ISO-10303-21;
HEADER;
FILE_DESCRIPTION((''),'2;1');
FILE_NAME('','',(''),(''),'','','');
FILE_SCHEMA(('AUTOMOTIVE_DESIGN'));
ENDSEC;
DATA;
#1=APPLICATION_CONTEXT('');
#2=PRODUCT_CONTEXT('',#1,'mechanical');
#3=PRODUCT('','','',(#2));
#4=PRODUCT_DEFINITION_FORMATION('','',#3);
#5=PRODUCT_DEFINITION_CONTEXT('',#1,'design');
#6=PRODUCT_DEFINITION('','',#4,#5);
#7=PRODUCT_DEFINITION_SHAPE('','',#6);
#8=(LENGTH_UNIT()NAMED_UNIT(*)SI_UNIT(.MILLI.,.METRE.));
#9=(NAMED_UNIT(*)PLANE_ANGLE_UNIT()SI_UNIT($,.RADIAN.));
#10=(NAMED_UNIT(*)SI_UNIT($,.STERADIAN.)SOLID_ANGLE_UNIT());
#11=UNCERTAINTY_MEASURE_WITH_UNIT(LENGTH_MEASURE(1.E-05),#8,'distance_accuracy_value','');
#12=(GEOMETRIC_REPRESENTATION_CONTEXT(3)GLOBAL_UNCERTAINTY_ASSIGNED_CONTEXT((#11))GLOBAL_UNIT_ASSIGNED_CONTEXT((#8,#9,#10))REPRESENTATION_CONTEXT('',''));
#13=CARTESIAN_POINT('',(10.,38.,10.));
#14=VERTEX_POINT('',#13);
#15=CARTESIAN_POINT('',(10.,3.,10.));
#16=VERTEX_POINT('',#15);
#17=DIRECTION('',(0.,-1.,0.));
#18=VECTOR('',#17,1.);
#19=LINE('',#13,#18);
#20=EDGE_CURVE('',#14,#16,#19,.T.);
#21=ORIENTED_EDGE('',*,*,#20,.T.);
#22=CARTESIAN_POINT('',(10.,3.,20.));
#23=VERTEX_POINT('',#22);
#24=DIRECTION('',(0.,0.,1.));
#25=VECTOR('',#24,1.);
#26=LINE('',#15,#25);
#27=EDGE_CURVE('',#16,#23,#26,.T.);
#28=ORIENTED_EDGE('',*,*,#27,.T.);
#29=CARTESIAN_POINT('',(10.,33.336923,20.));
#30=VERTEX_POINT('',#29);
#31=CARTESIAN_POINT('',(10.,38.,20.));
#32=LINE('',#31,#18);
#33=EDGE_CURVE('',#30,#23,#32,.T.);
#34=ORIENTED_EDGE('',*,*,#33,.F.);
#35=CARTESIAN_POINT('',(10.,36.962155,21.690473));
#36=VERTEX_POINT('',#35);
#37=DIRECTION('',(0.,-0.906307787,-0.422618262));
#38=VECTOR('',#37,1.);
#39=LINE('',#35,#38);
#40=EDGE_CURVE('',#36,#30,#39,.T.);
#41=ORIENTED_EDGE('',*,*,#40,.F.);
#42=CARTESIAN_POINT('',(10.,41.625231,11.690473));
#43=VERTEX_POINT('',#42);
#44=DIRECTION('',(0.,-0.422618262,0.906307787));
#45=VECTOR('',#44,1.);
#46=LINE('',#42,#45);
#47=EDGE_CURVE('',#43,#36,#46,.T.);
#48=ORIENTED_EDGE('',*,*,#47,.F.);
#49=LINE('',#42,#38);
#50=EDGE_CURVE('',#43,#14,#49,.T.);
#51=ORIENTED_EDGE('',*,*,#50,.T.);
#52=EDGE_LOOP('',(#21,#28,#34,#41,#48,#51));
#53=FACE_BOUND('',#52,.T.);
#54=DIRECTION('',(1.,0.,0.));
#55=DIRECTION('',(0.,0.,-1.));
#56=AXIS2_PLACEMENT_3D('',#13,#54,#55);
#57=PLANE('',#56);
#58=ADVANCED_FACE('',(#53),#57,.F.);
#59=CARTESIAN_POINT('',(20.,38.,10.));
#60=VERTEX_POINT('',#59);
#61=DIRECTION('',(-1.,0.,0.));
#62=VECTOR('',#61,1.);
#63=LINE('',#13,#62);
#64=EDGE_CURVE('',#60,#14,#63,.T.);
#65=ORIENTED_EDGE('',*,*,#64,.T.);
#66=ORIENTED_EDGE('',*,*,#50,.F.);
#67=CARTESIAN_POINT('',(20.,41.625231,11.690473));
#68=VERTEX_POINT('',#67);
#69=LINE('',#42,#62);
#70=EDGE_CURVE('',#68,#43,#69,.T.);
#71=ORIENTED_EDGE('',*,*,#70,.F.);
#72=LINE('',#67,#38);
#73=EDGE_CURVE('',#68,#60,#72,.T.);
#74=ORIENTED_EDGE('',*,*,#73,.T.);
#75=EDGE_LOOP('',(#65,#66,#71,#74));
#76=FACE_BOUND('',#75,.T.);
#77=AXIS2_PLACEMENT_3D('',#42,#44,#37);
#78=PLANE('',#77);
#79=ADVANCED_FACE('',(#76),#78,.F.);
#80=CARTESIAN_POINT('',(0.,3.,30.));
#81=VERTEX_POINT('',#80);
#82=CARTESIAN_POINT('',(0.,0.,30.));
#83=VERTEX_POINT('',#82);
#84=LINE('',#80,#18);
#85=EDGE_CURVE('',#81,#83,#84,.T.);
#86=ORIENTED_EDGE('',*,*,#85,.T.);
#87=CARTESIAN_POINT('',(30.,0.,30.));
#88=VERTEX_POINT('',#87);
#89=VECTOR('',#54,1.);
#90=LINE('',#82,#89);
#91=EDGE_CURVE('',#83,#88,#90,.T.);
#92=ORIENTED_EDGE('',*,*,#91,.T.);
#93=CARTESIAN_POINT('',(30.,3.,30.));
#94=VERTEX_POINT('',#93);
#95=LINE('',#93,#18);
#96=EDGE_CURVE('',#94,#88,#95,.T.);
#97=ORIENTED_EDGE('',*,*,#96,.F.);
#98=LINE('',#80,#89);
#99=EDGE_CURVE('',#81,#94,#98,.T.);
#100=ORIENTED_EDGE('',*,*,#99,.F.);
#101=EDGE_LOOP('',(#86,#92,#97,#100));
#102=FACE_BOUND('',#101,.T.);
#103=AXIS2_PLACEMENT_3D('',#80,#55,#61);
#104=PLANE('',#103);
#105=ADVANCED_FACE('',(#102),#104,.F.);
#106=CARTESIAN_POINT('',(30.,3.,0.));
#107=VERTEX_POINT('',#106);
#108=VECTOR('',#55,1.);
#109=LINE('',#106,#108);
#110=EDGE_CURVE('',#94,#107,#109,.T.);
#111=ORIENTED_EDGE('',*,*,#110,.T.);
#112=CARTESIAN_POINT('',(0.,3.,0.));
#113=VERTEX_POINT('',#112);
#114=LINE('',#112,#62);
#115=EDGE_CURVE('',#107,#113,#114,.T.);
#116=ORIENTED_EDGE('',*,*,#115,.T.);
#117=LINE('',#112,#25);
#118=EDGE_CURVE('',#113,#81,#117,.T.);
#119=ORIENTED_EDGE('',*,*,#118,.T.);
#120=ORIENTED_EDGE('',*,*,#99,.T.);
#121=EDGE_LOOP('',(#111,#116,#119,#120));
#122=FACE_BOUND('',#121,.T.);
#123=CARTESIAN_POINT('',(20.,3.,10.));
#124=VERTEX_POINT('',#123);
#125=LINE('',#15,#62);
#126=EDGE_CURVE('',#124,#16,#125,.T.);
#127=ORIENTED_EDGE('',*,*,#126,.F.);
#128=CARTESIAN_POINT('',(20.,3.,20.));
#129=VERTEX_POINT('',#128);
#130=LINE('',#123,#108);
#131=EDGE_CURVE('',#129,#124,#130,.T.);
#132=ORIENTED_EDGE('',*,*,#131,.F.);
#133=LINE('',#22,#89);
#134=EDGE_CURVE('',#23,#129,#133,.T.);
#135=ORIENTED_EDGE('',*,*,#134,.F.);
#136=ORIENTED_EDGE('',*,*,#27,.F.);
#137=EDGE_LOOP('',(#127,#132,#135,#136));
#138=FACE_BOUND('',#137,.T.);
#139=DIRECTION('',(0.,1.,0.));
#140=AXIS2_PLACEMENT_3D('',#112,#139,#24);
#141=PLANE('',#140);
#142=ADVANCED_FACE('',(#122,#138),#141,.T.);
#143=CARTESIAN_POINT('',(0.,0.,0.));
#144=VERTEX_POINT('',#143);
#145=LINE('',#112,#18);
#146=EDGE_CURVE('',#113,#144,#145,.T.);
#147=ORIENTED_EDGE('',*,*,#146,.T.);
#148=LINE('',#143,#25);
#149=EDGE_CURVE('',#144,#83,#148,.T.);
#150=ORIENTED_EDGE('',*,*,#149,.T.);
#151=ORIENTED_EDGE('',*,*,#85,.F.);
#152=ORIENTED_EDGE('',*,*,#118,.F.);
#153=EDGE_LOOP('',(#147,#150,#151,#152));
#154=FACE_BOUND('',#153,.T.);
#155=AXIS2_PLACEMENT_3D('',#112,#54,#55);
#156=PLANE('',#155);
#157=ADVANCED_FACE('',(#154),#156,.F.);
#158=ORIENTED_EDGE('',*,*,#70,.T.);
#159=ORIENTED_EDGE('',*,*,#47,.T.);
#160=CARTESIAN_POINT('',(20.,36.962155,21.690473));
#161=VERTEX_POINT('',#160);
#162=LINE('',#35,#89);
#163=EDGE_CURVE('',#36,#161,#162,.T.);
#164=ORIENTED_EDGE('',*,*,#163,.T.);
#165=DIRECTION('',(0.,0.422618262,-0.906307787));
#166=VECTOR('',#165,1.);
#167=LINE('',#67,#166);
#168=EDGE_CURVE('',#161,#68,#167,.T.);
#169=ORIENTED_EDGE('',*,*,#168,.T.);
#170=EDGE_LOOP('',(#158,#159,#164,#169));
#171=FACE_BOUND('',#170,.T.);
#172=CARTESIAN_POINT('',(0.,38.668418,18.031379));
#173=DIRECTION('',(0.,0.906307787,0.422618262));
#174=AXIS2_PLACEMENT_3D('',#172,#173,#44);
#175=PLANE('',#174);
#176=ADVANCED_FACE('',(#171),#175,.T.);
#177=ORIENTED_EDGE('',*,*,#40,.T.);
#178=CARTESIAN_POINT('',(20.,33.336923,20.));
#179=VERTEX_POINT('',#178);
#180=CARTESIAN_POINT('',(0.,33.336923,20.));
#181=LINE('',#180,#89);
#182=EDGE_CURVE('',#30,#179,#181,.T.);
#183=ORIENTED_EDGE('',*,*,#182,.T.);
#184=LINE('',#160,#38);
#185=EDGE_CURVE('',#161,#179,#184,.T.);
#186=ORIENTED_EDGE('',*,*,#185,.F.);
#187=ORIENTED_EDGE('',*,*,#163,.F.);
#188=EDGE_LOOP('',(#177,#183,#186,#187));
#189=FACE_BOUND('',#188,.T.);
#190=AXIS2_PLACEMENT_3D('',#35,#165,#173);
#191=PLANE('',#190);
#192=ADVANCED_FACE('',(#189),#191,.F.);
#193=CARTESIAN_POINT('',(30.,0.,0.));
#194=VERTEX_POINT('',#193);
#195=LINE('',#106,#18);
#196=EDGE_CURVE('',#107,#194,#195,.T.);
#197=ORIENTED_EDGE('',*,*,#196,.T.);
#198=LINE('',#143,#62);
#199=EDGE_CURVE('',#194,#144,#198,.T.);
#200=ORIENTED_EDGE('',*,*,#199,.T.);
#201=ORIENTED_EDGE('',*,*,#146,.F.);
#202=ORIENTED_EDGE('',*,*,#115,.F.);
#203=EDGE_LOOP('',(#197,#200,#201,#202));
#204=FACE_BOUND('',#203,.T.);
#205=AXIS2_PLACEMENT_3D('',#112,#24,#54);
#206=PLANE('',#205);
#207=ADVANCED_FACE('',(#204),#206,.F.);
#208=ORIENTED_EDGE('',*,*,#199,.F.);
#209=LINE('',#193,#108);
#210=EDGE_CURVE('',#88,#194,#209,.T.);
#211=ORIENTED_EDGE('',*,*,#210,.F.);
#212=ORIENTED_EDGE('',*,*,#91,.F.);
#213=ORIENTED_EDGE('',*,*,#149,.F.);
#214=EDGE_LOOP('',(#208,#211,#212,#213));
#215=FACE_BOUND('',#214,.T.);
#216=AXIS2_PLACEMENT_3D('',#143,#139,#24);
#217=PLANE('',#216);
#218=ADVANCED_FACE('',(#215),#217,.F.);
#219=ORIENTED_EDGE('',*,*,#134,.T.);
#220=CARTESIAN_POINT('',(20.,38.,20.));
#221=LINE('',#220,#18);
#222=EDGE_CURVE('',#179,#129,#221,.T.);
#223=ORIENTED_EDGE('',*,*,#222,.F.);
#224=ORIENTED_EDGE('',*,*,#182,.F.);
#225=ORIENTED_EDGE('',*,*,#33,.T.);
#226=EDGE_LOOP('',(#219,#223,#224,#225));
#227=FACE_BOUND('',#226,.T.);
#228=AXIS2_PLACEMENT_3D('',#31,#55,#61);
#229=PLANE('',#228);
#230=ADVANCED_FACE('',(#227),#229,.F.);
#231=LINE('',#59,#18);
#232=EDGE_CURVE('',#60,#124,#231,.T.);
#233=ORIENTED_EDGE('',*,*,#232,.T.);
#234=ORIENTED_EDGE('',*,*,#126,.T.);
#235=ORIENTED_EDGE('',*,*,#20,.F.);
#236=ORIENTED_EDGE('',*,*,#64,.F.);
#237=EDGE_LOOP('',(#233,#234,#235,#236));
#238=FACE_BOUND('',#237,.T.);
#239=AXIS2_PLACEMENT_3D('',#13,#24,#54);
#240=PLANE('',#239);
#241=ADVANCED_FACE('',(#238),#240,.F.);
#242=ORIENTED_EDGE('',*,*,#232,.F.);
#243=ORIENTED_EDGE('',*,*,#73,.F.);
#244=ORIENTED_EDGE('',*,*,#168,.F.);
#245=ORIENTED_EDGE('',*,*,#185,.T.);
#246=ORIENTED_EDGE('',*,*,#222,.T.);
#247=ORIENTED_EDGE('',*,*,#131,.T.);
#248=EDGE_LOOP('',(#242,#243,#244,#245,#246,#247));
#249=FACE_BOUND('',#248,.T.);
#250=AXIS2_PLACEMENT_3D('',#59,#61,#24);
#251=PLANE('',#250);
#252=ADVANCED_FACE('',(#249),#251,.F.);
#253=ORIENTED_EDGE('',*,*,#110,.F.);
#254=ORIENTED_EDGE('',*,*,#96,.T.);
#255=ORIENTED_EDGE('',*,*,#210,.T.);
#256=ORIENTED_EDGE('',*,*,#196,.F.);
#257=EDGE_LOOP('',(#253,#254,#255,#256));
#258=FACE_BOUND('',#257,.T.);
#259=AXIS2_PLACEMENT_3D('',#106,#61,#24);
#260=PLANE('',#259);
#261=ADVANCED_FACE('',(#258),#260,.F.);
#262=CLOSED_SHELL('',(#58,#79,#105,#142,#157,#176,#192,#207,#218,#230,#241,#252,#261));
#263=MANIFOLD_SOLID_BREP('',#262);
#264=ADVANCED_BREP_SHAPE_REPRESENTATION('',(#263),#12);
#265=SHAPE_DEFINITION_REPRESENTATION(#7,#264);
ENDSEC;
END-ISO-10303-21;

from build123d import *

# Parameters (mm, degrees)
SKETCH1_W           = 30
SKETCH1_H           = 30
BOSS_EXTRUDE1_DEPTH = 3
SKETCH2_W           = 10
SKETCH2_H           = 10
BOSS_EXTRUDE2_DEPTH = 35
CUT_EXTRUDE2_DEPTH  = 21
SKETCH5_W           = 10
SKETCH5_H           = 11.03377919
BOSS_EXTRUDE3_DEPTH = 4


with BuildPart() as part:
    # Sketch1 → Boss-Extrude1 (new body)
    with BuildSketch(Plane(origin=(0, 0, 0), x_dir=(1, 0, 0), z_dir=(0, 1, 0))):
        with Locations((15, -15)):
            Rectangle(SKETCH1_W, SKETCH1_H)
    extrude(amount=BOSS_EXTRUDE1_DEPTH)

    # Sketch2 → Boss-Extrude2 (add)
    with BuildSketch(Plane(origin=(0, 3, 0), x_dir=(1, 0, 0), z_dir=(0, 1, 0))):
        with Locations((15, -15)):
            Rectangle(SKETCH2_W, SKETCH2_H)
    extrude(amount=BOSS_EXTRUDE2_DEPTH)

    # Sketch3 → Cut-Extrude2 (cut, through all)
    with BuildSketch(Plane(origin=(20, 0, 0), x_dir=(0, 0, -1), z_dir=(1, 0, 0))):
        Polygon((-20, 38), (-10, 38), (-20, 33.336923418), align=None)
    extrude(amount=-CUT_EXTRUDE2_DEPTH, mode=Mode.SUBTRACT)

    # Sketch5 → Boss-Extrude3 (add)
    with BuildSketch(Plane(origin=(0, 35.0431868, 16.340906371), x_dir=(1, 0, 0), z_dir=(0, 0.906307787, 0.422618262))):
        with Locations((15, 1.479526481)):
            Rectangle(SKETCH5_W, SKETCH5_H)
    extrude(amount=BOSS_EXTRUDE3_DEPTH)


solid = part.part
